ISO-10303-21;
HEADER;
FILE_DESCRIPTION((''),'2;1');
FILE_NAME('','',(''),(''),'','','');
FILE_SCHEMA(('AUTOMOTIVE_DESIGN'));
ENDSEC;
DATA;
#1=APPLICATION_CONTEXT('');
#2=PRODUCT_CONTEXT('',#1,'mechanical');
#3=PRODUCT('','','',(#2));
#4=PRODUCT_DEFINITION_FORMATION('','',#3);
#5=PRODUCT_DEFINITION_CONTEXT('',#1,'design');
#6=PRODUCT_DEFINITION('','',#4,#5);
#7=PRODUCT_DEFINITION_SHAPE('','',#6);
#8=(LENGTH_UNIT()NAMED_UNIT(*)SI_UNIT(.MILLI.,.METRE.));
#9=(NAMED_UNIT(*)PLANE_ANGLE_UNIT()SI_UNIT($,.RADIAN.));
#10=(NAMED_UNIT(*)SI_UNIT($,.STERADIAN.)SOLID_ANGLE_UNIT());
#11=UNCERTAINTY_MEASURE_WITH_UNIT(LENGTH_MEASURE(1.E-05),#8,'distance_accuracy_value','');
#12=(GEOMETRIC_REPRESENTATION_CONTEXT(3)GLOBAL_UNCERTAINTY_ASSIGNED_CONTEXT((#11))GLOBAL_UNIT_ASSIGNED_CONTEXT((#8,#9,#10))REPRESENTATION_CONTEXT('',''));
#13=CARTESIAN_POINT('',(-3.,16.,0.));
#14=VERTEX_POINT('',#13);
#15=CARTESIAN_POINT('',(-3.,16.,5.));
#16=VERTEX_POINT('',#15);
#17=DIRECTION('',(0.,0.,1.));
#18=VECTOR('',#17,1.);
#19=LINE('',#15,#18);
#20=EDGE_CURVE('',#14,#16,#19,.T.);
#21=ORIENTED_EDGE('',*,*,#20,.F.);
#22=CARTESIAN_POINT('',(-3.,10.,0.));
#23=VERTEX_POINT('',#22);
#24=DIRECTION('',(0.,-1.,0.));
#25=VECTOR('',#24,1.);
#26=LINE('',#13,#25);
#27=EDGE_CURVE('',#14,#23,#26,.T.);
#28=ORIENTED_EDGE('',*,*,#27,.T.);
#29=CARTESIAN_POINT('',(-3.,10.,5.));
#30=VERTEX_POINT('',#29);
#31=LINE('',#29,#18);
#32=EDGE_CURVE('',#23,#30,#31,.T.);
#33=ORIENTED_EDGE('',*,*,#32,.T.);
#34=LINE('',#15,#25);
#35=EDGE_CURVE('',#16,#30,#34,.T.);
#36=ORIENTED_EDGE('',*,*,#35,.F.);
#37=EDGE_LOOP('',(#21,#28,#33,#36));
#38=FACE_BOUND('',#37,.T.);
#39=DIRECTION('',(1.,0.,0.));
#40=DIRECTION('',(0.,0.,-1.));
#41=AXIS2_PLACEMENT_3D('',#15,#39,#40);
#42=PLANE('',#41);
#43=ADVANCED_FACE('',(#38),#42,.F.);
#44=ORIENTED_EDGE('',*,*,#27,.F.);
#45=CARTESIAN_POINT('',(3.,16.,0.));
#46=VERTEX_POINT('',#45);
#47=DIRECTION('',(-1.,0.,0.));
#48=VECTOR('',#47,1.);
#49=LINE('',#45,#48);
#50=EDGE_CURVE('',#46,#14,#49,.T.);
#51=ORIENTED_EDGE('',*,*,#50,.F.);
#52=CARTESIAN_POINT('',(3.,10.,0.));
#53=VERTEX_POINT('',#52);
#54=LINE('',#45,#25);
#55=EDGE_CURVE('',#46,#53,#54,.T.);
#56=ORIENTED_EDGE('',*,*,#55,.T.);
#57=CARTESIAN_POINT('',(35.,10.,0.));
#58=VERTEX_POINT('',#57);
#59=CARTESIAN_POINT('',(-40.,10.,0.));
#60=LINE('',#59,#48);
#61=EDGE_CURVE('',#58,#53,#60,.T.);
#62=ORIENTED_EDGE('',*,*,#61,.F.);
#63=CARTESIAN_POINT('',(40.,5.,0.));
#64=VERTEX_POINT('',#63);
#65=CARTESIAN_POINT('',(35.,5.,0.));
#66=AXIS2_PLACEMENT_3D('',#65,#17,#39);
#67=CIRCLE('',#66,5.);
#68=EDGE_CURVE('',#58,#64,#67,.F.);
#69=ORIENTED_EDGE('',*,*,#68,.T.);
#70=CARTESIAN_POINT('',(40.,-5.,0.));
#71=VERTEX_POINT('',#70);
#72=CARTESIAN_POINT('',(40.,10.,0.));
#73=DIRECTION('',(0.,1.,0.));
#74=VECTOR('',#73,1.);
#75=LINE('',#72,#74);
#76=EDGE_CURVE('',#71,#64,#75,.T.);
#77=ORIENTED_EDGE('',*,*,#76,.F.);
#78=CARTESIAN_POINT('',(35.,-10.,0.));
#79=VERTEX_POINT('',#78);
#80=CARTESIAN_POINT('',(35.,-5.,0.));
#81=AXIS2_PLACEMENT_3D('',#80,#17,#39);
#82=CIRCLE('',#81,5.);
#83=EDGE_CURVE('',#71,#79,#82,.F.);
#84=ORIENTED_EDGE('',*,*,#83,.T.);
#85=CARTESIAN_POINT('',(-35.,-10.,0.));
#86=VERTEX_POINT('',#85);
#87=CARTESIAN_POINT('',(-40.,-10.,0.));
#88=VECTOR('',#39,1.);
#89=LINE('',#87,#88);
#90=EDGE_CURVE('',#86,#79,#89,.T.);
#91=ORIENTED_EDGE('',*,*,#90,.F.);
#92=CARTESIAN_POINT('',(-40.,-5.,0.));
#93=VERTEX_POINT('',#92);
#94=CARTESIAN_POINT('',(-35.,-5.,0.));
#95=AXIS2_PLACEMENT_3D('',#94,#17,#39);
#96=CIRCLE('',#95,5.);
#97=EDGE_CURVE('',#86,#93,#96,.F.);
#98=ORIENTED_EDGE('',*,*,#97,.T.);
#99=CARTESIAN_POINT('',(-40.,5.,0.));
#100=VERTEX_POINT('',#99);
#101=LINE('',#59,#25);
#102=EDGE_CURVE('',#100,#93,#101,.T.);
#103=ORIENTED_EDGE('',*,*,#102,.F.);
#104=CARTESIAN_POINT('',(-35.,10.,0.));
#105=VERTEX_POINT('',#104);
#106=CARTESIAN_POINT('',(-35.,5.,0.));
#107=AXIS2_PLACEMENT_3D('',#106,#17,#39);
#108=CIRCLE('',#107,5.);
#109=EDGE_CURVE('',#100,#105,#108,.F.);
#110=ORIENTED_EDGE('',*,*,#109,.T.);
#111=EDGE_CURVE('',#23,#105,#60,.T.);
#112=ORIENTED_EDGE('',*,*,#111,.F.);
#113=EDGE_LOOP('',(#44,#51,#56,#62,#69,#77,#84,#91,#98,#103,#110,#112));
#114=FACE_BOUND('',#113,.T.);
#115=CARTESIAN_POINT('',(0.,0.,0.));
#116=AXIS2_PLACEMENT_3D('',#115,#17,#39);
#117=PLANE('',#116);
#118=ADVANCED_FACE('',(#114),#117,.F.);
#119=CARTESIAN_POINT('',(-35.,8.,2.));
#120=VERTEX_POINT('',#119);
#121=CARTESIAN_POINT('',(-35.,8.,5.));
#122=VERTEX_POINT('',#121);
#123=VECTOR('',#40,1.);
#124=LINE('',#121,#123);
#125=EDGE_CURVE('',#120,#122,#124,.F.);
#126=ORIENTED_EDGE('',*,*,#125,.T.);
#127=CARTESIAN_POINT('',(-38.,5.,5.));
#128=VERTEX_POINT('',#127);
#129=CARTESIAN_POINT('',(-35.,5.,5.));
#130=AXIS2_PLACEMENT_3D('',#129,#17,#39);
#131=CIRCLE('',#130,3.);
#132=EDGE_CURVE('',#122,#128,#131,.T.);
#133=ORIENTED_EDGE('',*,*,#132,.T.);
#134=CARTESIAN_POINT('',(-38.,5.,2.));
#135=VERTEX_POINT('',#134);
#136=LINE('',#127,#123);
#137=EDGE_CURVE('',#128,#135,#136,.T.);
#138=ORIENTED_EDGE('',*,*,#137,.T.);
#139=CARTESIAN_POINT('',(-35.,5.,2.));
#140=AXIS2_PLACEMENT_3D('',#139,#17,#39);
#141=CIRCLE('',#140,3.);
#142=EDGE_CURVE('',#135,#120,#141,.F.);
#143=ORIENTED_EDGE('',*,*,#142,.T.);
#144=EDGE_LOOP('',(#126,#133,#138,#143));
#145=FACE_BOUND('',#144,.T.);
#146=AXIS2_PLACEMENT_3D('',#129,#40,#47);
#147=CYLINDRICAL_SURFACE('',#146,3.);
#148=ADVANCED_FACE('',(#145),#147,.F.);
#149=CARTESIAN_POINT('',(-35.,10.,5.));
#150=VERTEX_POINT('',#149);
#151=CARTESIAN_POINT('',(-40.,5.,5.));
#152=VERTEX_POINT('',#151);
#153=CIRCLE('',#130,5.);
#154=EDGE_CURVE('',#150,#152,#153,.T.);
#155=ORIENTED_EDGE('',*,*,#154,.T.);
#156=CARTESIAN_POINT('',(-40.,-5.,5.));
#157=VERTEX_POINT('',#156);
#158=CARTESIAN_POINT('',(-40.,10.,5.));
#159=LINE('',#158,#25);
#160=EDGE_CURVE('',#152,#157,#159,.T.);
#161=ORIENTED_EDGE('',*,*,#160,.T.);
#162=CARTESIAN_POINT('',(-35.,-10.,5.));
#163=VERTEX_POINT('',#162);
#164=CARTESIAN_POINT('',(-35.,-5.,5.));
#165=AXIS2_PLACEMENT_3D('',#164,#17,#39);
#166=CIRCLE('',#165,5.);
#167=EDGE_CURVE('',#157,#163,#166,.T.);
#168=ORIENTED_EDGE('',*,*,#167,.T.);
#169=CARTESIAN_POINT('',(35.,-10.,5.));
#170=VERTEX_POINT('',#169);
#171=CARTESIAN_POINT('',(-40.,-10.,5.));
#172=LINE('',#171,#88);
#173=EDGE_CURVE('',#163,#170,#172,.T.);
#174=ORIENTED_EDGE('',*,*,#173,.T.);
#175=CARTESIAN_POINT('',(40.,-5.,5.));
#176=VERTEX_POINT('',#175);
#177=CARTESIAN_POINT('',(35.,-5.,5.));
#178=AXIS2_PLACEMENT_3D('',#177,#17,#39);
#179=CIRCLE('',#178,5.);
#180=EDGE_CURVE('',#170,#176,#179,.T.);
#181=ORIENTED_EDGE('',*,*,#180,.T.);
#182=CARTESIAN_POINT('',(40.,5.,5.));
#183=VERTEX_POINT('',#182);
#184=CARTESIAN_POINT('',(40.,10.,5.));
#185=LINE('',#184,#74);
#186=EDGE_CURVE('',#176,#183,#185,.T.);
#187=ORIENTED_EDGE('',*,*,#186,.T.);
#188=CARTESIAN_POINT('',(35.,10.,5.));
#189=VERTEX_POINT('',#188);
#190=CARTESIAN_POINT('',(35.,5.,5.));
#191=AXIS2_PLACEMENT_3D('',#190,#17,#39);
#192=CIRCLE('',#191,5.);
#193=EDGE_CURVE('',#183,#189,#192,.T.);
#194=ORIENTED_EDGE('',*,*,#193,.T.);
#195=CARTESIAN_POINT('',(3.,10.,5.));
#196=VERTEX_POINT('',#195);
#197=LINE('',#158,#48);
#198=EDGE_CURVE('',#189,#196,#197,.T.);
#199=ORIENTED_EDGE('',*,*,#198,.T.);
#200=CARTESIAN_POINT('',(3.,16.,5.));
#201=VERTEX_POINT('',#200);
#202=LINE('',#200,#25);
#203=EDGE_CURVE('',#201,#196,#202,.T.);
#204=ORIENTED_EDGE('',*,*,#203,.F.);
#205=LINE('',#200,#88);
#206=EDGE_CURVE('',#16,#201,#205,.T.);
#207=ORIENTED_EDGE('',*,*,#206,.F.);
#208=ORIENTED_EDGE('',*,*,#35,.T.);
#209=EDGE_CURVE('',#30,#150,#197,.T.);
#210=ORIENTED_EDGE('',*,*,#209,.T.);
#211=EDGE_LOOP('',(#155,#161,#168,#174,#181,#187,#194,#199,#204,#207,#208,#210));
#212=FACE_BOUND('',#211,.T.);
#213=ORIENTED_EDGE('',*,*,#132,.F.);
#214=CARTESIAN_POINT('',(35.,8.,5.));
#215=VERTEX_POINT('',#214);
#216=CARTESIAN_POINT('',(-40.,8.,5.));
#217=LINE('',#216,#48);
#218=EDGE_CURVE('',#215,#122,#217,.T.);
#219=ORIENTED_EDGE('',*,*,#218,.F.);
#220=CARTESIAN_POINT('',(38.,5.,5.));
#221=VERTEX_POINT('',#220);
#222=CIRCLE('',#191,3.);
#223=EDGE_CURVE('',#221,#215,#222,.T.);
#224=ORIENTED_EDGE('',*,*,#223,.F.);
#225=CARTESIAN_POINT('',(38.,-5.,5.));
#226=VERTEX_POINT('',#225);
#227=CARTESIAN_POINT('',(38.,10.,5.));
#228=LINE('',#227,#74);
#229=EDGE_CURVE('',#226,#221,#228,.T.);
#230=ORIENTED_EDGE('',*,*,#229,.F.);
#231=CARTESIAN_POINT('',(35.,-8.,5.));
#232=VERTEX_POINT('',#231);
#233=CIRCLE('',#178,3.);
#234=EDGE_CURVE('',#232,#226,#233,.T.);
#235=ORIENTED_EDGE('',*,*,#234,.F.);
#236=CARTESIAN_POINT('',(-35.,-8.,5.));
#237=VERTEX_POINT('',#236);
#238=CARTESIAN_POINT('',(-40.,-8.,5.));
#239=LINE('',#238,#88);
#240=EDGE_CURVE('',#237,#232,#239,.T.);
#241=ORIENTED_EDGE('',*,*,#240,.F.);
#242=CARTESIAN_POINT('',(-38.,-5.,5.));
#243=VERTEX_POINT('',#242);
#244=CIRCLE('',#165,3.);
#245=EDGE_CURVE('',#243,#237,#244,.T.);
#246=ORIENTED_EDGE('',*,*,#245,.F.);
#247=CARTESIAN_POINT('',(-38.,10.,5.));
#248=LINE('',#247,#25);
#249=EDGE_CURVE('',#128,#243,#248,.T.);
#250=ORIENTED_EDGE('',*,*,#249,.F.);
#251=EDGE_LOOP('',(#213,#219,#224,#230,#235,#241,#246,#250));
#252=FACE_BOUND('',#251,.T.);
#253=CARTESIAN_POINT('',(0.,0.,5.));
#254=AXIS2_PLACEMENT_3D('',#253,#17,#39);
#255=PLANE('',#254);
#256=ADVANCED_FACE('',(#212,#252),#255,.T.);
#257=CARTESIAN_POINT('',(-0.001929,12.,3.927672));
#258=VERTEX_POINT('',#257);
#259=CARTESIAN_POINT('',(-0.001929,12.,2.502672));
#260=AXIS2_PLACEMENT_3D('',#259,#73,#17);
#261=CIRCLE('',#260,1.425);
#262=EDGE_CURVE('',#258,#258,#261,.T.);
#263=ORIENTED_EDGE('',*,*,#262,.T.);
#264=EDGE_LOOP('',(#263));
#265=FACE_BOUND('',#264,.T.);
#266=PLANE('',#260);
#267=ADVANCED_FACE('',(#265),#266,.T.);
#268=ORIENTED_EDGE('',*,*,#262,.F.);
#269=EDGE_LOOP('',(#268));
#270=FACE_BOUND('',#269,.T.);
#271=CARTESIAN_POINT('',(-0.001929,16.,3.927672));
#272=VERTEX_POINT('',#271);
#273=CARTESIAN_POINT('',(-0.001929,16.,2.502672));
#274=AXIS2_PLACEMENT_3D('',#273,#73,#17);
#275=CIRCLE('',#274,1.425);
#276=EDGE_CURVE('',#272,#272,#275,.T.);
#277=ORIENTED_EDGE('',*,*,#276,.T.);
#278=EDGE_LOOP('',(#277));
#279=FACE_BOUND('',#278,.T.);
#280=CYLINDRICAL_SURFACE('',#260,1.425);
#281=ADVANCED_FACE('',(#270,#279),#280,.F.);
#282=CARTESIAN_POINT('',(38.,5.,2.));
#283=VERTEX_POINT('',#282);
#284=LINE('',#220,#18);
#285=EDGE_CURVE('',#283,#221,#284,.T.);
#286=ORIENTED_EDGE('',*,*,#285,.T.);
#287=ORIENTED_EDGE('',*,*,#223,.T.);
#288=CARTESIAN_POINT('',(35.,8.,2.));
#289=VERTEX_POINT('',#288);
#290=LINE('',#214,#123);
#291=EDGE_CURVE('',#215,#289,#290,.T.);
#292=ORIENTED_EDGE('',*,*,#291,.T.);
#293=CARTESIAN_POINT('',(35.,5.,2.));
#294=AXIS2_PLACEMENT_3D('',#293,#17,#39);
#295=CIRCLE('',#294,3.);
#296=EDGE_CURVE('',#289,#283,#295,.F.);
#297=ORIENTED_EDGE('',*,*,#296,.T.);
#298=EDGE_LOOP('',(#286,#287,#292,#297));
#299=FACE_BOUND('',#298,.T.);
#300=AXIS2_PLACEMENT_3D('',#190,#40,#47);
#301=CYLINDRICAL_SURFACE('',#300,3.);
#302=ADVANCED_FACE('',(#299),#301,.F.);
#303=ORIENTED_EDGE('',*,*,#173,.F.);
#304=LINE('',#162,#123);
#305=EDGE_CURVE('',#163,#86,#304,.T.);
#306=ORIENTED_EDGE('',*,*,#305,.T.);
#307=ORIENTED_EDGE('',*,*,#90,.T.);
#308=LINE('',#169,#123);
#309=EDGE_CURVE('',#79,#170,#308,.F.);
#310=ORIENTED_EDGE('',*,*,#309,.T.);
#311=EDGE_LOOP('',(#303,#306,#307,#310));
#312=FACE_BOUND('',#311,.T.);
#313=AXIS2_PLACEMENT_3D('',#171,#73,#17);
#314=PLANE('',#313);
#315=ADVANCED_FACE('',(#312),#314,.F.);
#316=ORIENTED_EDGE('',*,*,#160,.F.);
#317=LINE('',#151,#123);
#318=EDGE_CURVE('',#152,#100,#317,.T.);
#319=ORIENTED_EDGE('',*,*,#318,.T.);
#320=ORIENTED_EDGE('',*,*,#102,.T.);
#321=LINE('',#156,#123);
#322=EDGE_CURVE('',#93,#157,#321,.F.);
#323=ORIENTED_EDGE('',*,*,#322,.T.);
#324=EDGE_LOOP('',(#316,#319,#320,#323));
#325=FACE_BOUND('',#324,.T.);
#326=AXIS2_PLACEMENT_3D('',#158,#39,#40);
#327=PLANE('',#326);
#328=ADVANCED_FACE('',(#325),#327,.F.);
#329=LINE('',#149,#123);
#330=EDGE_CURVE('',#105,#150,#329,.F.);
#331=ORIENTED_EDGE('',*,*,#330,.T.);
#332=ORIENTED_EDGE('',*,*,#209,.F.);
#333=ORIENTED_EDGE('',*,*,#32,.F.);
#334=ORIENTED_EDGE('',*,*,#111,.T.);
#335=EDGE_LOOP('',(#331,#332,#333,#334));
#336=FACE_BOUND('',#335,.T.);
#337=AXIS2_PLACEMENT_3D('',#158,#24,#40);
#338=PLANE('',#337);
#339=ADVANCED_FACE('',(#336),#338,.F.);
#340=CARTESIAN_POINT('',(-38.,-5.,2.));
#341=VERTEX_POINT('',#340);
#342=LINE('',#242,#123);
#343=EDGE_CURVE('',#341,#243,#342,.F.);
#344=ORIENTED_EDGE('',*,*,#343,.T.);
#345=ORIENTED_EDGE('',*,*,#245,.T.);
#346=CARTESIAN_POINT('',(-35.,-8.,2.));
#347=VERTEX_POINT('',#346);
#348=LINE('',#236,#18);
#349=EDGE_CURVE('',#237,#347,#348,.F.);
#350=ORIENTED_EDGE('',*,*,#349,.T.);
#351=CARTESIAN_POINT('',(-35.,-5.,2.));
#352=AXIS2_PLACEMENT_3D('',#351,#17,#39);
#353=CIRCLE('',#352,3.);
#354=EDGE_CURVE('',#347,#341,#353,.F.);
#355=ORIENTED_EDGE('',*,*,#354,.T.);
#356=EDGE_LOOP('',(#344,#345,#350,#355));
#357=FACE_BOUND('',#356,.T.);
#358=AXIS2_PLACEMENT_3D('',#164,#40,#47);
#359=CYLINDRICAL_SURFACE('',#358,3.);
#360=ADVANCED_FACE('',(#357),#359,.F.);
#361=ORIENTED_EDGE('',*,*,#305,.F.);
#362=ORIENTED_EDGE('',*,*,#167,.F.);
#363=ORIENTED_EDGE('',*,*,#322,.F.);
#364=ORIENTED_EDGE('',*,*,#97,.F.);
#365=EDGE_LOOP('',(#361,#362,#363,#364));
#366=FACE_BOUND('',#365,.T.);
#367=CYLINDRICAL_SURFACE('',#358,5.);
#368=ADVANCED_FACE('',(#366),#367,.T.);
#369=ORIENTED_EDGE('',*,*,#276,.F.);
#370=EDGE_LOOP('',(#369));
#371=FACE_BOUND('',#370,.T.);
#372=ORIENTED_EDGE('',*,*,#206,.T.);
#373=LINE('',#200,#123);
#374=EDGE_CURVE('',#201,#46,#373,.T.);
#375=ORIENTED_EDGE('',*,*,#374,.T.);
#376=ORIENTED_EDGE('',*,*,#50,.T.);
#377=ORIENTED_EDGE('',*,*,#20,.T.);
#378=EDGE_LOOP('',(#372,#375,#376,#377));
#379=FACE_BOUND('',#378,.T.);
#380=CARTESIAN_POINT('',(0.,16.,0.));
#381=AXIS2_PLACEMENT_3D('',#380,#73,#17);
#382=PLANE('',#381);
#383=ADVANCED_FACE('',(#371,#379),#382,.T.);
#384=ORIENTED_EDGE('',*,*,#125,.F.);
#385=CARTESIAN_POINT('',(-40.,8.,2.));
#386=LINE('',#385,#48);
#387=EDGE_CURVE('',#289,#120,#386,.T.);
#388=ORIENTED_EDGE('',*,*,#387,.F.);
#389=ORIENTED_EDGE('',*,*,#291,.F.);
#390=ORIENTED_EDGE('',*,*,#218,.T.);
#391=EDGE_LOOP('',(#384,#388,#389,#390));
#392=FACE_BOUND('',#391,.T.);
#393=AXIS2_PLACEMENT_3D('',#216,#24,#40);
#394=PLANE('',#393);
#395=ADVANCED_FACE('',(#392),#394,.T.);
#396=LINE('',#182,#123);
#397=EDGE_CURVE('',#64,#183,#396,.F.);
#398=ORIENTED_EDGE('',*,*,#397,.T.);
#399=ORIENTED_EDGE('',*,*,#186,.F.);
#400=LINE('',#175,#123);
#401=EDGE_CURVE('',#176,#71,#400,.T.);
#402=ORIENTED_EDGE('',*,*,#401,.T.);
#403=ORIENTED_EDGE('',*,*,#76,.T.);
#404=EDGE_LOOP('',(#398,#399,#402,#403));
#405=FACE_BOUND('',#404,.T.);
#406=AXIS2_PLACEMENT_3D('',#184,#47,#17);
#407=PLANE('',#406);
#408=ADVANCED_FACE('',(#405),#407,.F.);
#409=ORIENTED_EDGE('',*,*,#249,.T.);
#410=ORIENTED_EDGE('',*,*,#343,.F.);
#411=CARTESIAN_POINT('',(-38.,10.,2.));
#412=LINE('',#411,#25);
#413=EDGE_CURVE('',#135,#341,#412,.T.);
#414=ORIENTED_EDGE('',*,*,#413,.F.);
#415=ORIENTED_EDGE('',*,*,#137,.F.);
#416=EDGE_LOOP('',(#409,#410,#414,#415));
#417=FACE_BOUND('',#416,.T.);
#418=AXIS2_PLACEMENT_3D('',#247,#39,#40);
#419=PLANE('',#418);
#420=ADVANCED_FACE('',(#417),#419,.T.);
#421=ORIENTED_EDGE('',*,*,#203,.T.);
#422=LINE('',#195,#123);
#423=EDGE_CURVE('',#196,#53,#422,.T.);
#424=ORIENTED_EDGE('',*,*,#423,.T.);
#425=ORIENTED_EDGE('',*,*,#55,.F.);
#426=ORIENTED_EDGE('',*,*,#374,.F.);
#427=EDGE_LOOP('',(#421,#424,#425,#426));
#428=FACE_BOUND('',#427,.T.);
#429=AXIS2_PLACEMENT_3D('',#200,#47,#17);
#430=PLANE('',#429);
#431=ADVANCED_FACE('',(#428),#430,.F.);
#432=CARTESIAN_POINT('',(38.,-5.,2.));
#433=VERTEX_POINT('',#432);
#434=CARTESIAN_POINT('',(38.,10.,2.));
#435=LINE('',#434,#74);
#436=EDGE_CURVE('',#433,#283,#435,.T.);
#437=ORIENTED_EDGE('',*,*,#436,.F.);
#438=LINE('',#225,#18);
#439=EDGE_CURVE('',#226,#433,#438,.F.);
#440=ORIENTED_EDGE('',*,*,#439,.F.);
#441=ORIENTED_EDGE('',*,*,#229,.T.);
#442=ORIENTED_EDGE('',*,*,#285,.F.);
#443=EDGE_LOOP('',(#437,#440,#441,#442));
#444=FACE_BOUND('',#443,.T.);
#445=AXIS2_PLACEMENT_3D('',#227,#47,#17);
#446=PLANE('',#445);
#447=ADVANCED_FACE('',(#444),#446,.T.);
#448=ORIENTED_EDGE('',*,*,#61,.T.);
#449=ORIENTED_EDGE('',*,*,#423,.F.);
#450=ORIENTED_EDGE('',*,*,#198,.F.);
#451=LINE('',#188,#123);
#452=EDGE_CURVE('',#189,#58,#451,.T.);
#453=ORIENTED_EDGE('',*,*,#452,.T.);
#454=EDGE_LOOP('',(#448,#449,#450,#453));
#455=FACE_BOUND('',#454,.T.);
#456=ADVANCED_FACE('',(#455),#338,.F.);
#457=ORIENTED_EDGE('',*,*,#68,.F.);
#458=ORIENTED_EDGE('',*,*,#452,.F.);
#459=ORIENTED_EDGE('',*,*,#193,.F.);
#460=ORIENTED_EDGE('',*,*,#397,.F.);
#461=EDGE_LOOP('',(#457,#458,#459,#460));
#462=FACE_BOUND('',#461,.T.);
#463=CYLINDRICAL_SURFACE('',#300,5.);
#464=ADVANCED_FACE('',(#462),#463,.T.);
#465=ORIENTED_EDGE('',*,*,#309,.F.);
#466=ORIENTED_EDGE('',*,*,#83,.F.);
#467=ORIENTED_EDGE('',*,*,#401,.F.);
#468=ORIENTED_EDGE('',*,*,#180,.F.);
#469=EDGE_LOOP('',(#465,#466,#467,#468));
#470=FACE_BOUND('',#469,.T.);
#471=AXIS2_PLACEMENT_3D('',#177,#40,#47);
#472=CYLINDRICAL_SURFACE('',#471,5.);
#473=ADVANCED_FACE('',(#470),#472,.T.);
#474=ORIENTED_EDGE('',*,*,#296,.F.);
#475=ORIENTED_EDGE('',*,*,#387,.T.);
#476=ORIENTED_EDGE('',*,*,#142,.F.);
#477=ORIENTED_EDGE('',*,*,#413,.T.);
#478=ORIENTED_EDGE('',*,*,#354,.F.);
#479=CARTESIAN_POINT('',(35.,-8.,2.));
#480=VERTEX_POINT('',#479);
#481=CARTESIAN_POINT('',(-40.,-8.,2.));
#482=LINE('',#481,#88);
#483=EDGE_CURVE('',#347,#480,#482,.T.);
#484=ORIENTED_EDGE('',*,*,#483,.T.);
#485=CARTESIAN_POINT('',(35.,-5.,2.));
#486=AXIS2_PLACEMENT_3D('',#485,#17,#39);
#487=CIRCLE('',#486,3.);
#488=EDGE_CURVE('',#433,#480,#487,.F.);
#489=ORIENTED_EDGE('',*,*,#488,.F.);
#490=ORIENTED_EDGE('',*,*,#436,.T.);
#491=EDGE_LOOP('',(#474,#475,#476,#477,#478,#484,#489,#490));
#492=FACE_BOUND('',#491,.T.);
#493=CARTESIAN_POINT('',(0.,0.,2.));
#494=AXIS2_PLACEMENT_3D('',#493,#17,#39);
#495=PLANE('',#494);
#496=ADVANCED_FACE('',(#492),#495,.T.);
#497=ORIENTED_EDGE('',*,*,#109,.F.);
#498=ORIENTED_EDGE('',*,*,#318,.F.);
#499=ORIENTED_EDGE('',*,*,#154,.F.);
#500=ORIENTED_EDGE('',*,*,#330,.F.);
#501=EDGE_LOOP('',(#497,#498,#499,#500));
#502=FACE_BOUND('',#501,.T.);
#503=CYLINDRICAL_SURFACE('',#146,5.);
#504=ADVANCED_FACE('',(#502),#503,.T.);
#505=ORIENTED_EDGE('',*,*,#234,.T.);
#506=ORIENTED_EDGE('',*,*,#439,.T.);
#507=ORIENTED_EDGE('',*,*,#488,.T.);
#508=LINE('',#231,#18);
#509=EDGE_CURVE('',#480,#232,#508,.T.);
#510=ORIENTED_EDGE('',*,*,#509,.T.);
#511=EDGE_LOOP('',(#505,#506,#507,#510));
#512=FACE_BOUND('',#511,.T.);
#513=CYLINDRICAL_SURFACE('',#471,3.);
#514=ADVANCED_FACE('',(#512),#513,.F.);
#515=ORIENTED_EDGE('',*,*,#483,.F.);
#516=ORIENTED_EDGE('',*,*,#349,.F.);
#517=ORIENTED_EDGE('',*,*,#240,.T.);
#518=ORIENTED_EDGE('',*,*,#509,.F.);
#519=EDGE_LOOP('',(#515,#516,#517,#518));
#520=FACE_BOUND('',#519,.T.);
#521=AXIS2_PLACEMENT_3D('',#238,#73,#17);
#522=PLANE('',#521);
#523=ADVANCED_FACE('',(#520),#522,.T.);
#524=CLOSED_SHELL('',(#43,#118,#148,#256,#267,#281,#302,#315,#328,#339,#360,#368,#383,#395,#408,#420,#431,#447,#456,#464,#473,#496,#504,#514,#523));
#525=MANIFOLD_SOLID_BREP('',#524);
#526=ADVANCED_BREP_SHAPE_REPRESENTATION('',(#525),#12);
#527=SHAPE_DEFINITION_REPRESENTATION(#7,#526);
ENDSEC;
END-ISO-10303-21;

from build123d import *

# Parameters (mm, degrees)
SKETCH1_W           = 80
SKETCH1_H           = 20
BOSS_EXTRUDE1_DEPTH = 5
FILLET1_R           = 5
SHELL1_T            = -2
SKETCH2_W           = 6
SKETCH2_H           = 5
BOSS_EXTRUDE2_DEPTH = 6
SKETCH3_R           = 1.425
CUT_EXTRUDE1_DEPTH  = 4


with BuildPart() as part:
    # Sketch1 → Boss-Extrude1 (new body)
    with BuildSketch(Plane.XY):
        Rectangle(SKETCH1_W, SKETCH1_H)
    extrude(amount=BOSS_EXTRUDE1_DEPTH)

    # Fillet1
    fillet1_edges = [part.edges().sort_by_distance(p)[0] for p in [
        (40, -10, 2.5),
        (-40, -10, 2.5),
        (-40, 10, 2.5),
        (40, 10, 2.5),
    ]]
    fillet(fillet1_edges, radius=FILLET1_R)

    # Shell1
    shell1_openings = [part.faces().sort_by_distance(p)[0] for p in [
        (0, 0, 5),
    ]]
    offset(amount=SHELL1_T, openings=shell1_openings, kind=Kind.INTERSECTION)

    # Sketch2 → Boss-Extrude2 (add)
    with BuildSketch(Plane(origin=(0, 10, 0), x_dir=(1, 0, 0), z_dir=(0, 1, 0))):
        with Locations((0, -2.5)):
            Rectangle(SKETCH2_W, SKETCH2_H)
    extrude(amount=BOSS_EXTRUDE2_DEPTH)

    # Sketch3 → Cut-Extrude1 (cut)
    with BuildSketch(Plane(origin=(0, 16, 0), x_dir=(1, 0, 0), z_dir=(0, 1, 0))):
        with Locations((-0.00192903, -2.502672146)):
            Circle(SKETCH3_R)
    extrude(amount=-CUT_EXTRUDE1_DEPTH, mode=Mode.SUBTRACT)


solid = part.part
